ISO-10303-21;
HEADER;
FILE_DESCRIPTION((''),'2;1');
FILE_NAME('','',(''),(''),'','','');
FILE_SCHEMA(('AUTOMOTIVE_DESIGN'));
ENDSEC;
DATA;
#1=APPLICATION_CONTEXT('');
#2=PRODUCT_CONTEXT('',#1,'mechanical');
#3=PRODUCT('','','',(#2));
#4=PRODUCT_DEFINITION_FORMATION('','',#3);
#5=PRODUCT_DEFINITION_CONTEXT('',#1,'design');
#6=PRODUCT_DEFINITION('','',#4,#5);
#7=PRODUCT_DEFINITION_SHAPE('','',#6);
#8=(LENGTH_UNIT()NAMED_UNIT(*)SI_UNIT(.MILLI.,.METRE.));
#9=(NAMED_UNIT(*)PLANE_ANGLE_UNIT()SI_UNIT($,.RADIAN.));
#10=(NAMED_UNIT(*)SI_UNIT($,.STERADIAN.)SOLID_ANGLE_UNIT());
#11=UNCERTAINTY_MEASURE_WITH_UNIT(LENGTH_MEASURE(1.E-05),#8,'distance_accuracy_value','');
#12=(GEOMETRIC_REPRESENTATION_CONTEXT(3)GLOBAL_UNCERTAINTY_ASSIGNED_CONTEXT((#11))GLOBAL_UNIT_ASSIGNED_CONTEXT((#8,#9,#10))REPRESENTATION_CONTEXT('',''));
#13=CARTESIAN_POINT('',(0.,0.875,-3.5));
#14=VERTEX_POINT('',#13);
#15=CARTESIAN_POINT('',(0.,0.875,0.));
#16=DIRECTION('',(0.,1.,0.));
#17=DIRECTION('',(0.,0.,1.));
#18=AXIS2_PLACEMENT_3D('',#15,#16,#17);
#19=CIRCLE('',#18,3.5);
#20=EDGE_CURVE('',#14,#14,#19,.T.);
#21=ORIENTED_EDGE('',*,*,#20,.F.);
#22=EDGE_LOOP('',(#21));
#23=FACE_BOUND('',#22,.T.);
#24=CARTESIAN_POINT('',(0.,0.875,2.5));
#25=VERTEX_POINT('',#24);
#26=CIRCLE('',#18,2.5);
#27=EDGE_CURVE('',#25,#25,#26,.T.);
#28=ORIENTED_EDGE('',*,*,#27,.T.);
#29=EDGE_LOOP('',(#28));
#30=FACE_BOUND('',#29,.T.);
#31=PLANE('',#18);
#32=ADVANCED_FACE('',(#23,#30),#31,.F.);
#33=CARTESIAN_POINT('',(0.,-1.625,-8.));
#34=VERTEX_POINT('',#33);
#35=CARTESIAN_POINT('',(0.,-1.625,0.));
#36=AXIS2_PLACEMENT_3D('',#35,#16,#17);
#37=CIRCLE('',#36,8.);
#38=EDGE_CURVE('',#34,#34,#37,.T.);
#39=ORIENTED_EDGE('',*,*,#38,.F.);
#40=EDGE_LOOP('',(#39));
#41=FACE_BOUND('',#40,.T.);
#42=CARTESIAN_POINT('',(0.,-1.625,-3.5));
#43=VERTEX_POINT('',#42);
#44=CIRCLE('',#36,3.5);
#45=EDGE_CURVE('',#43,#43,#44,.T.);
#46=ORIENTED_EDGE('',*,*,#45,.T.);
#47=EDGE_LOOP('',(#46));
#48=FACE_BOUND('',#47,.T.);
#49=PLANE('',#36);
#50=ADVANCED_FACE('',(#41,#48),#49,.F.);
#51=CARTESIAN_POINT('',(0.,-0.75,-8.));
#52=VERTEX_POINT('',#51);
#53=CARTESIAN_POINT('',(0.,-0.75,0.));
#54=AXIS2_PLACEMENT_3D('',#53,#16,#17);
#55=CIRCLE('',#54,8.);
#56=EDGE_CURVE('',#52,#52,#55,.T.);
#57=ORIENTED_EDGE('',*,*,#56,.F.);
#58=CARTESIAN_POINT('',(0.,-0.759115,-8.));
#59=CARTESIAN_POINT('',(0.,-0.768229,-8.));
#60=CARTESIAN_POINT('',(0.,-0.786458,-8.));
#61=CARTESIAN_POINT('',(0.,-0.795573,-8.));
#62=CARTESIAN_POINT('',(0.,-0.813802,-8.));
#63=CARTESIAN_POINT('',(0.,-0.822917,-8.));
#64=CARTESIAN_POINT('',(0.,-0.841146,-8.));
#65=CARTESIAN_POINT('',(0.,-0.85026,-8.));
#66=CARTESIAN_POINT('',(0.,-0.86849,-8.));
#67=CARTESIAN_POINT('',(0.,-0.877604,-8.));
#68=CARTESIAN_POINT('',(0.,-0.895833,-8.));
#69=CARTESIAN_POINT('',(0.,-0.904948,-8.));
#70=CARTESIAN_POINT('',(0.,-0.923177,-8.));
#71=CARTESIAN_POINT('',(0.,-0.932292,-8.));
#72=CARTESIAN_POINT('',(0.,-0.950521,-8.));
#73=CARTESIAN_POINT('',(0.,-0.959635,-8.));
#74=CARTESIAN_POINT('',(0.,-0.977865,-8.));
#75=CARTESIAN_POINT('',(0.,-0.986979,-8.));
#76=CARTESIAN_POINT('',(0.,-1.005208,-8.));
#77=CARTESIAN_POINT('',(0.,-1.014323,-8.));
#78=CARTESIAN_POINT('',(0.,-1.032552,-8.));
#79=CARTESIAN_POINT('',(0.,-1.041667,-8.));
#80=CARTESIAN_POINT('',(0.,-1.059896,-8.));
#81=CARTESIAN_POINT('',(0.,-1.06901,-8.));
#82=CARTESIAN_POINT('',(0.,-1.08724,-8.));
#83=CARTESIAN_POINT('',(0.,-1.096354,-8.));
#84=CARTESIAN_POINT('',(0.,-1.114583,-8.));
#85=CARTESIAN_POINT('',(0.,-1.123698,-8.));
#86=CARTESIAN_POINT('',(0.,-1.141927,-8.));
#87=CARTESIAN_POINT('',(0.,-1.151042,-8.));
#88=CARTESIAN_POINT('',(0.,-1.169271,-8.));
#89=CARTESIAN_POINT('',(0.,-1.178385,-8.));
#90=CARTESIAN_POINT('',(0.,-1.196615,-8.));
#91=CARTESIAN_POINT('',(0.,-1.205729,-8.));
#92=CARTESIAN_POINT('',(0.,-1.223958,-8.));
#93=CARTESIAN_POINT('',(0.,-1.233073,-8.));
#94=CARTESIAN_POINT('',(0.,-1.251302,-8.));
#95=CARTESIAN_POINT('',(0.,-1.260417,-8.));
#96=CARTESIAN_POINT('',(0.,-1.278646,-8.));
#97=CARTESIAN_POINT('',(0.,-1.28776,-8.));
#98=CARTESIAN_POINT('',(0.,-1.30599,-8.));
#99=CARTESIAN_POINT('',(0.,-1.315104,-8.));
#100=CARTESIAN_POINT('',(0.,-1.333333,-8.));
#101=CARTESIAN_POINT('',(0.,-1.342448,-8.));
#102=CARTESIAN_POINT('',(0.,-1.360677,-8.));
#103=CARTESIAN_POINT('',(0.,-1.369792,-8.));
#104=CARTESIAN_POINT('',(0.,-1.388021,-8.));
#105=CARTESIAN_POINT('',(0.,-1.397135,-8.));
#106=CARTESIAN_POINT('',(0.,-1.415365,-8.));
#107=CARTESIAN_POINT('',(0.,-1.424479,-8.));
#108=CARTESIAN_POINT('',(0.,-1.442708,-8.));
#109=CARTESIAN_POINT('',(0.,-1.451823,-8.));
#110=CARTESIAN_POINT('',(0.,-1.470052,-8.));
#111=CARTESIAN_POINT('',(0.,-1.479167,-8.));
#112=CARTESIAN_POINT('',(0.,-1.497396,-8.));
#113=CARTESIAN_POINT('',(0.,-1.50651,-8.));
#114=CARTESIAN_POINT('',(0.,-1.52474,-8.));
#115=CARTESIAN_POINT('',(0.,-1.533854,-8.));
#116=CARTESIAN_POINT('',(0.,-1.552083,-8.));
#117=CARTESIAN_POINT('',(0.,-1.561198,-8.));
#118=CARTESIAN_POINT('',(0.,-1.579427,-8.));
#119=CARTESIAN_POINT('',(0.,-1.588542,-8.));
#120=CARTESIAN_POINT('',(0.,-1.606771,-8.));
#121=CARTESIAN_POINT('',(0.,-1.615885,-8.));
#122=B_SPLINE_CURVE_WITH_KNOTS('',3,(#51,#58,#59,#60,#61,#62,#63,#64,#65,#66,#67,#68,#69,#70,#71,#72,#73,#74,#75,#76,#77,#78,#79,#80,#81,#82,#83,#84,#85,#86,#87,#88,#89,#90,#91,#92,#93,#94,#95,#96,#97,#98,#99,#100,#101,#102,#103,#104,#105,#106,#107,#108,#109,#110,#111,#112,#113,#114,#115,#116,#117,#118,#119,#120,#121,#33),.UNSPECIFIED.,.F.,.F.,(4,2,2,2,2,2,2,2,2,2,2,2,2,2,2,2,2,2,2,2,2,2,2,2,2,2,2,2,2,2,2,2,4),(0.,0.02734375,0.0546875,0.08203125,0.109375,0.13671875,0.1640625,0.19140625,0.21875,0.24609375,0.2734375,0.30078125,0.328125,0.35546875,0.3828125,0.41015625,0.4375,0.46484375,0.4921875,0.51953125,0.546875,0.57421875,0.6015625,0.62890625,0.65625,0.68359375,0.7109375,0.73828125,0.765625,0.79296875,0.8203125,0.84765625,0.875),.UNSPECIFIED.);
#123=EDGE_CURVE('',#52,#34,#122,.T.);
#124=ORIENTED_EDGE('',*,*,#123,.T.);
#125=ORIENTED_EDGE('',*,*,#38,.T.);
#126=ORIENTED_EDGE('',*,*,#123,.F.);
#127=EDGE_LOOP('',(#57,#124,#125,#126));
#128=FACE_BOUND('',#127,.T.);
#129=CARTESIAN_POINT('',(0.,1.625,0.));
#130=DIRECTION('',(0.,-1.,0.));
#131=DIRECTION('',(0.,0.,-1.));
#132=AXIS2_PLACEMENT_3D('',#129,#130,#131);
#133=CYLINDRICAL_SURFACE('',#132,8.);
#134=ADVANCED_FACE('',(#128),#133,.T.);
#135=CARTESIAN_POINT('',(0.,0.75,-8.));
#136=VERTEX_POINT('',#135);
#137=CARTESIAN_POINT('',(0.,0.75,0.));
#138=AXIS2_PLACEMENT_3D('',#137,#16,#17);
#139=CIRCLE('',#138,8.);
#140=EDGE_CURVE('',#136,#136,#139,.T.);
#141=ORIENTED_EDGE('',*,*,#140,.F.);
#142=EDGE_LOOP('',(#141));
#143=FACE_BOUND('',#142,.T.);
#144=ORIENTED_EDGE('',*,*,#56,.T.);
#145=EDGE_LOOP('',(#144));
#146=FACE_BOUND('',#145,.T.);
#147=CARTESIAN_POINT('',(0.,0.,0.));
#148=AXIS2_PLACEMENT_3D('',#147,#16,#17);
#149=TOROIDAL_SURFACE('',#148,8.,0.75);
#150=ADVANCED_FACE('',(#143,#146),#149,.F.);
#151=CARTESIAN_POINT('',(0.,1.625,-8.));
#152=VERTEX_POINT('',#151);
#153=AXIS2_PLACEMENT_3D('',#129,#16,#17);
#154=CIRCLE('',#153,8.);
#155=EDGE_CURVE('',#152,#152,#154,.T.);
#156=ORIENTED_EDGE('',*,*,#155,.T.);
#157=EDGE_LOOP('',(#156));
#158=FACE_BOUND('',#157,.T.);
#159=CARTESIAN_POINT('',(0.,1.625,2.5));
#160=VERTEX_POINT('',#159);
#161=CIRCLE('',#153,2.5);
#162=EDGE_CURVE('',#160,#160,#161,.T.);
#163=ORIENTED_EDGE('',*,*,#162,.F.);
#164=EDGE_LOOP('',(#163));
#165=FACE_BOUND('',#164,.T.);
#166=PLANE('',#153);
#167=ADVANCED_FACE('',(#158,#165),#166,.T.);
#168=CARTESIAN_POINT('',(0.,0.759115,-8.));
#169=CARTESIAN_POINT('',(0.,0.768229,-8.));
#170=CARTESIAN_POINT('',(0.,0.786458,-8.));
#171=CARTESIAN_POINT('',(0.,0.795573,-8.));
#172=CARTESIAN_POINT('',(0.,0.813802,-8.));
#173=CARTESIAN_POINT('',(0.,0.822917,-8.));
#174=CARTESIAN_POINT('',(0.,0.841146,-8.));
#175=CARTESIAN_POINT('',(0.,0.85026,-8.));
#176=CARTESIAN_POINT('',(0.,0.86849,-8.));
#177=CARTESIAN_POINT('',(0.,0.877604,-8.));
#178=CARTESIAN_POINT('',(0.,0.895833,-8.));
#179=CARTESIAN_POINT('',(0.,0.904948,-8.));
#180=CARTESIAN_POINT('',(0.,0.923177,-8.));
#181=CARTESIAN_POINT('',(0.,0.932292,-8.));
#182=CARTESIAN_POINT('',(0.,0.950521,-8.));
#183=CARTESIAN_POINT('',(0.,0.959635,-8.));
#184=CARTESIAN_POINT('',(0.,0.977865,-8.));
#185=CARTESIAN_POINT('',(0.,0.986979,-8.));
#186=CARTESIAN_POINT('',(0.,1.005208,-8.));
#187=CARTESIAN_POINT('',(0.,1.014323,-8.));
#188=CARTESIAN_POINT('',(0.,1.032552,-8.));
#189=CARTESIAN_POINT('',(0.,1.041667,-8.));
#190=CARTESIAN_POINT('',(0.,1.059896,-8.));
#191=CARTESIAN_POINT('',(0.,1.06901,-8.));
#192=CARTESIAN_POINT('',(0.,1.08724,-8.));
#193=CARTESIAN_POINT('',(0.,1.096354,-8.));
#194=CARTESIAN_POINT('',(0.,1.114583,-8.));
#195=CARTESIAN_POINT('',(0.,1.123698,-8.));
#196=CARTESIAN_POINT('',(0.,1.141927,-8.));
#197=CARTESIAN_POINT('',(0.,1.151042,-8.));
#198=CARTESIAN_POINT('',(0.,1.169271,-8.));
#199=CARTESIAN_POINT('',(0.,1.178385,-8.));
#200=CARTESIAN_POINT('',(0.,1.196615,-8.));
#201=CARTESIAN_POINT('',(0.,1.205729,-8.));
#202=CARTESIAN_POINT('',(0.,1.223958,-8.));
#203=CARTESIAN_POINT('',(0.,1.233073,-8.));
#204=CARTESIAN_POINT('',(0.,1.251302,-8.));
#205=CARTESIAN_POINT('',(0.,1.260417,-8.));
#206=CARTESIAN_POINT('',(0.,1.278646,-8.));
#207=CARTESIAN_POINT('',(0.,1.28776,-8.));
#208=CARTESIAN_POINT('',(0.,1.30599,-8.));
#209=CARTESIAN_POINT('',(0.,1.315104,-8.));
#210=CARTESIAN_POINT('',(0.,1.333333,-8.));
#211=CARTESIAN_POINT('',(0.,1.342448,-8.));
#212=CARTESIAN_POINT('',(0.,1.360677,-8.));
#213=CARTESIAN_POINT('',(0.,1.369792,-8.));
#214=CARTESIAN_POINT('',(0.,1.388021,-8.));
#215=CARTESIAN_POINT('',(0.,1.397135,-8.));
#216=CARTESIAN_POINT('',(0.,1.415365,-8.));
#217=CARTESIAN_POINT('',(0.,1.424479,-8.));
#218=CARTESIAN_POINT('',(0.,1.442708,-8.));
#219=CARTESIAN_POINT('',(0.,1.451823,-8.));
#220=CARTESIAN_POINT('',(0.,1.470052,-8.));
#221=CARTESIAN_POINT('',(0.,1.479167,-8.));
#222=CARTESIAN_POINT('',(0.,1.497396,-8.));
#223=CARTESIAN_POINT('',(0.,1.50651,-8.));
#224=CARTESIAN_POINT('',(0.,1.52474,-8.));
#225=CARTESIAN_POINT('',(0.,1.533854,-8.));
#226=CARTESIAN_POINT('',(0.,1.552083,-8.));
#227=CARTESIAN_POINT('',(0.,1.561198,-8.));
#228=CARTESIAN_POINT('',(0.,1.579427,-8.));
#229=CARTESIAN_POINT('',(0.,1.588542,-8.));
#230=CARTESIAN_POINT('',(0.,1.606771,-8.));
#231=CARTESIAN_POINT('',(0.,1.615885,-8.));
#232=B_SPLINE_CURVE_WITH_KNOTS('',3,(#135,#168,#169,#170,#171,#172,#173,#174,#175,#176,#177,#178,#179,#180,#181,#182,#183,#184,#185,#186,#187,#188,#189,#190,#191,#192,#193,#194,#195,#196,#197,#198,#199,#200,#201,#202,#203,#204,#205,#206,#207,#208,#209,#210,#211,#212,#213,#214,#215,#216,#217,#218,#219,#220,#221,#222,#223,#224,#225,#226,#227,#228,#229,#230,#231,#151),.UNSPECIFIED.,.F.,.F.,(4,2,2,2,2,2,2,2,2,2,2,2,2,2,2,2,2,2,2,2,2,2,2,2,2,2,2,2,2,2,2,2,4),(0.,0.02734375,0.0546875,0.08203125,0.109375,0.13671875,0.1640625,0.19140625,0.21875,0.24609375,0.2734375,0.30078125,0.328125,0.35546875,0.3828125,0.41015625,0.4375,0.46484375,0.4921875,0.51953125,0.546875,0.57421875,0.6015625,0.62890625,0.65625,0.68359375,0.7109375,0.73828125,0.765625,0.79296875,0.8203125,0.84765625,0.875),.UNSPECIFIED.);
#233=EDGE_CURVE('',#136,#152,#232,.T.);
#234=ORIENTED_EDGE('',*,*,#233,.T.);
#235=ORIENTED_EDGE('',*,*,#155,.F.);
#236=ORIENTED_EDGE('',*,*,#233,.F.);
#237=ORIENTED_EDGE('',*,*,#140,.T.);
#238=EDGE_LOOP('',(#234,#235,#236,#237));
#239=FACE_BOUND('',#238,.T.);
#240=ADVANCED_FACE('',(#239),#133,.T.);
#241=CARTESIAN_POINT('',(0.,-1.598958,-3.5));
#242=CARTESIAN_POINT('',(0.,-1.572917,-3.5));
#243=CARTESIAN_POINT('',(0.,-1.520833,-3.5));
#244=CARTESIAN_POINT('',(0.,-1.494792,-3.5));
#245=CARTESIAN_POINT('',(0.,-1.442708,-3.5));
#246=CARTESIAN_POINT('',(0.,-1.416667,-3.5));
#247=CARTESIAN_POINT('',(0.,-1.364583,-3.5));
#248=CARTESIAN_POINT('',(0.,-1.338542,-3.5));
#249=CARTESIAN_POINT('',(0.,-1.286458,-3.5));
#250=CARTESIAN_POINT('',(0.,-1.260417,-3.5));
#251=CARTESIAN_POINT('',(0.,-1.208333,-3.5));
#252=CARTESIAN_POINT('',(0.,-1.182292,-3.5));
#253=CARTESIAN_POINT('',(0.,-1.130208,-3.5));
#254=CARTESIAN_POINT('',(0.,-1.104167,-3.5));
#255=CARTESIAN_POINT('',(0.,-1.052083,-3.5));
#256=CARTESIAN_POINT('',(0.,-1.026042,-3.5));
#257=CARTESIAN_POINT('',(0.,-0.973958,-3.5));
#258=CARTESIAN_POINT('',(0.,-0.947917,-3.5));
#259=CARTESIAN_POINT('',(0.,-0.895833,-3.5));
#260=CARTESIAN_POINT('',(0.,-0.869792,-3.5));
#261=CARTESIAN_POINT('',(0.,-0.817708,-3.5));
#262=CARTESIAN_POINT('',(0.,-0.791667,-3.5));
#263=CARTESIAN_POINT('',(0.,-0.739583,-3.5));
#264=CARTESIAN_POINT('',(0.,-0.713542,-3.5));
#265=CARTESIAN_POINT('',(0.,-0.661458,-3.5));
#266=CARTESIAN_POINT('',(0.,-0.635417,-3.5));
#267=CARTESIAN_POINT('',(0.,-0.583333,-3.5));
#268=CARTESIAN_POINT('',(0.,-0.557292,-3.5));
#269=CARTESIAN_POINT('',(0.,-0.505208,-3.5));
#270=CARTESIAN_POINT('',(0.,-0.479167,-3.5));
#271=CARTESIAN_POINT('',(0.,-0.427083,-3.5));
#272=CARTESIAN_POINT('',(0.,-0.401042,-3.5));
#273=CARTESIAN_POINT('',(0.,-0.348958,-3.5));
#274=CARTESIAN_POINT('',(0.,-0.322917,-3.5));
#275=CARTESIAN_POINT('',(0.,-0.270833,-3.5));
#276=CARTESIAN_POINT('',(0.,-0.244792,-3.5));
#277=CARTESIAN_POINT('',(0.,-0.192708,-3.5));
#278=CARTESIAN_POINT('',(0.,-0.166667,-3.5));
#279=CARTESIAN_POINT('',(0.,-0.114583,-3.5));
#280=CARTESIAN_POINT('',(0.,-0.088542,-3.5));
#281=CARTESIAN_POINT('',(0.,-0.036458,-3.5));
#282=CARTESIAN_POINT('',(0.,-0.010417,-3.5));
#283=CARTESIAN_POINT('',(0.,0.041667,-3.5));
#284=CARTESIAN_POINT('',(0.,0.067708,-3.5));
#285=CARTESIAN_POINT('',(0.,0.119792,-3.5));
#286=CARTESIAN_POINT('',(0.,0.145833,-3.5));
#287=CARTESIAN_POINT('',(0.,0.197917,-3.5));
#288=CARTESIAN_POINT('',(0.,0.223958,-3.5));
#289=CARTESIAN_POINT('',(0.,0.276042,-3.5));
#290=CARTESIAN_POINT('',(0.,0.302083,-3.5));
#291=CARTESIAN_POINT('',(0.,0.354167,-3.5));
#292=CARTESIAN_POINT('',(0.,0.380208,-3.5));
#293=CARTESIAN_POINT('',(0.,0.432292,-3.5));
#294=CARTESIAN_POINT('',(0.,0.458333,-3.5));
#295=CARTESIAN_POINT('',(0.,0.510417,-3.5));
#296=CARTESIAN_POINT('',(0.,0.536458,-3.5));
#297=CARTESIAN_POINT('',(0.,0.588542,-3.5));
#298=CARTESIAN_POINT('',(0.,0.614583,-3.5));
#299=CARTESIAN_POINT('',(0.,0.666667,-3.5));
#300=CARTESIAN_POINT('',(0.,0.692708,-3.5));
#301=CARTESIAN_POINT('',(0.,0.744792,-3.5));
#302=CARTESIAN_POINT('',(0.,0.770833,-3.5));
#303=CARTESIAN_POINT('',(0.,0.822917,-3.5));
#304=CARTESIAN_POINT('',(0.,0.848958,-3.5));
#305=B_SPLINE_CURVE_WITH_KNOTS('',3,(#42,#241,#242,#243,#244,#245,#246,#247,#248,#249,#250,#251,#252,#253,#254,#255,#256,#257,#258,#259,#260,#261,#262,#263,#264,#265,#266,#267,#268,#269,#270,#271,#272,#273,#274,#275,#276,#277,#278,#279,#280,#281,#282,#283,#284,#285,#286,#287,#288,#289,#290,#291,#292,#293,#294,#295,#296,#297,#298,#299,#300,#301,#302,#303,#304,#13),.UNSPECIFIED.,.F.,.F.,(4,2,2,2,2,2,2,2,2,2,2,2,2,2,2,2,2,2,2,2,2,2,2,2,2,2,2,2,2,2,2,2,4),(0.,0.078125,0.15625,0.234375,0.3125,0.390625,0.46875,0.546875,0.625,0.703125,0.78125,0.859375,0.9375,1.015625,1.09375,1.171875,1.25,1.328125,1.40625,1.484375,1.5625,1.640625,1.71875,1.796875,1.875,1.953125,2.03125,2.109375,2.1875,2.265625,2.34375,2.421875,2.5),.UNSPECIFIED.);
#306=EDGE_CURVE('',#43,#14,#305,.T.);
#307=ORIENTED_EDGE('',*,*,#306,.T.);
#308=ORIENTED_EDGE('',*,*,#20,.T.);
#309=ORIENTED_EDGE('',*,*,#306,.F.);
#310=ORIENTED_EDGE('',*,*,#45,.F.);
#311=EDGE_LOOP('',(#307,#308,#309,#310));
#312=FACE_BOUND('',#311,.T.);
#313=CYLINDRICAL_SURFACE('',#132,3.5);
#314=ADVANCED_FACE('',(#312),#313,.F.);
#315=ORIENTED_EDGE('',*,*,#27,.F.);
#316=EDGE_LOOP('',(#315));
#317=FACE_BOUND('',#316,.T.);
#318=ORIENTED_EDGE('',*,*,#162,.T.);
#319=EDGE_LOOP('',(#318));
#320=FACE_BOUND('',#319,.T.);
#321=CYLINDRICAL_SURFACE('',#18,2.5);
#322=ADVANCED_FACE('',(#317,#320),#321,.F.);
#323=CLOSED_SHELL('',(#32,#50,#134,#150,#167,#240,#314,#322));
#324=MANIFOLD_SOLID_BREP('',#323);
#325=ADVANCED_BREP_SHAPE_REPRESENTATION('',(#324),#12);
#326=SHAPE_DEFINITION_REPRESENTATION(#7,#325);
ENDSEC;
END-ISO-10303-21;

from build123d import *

# Parameters (mm, degrees)
SKETCH1_R           = 8
SKETCH1_R_2         = 3.5
BOSS_EXTRUDE1_DEPTH = 1.625
BOSS_EXTRUDE2_START = -0.75
SKETCH3_R           = 3.5
SKETCH3_R_2         = 2.5
BOSS_EXTRUDE2_DEPTH = 0.75


with BuildPart() as part:
    # Sketch1 → Boss-Extrude1 (new, symmetric)
    with BuildSketch(Plane(origin=(0, 0, 0), x_dir=(1, 0, 0), z_dir=(0, 1, 0))):
        with Locations(Location((0, 0, 0), (0, 0, 90))):
            Circle(SKETCH1_R)
        with Locations(Location((0, 0, 0), (0, 0, 90))):
            Circle(SKETCH1_R_2, mode=Mode.SUBTRACT)
    extrude(amount=BOSS_EXTRUDE1_DEPTH, both=True)

    # Sketch2 → Cut-Revolve1 (revolve, cut)
    with BuildSketch(Plane(origin=(0, 0, 0), x_dir=(0, 0, -1), z_dir=(1, 0, 0)), mode=Mode.PRIVATE) as cut_revolve1_sk:
        with BuildLine():
            Line((-8, 0.75), (-8, -0.75))
            ThreePointArc((-8, -0.75), (-7.25, 0), (-8, 0.75))
        make_face()
    revolve(cut_revolve1_sk.sketch.rotate(Axis((0, 1.625, 0), (0, -1, 0)), 180), axis=Axis((0, 1.625, 0), (0, -1, 0)), mode=Mode.SUBTRACT)

    # Sketch3 → Boss-Extrude2 (add)
    with BuildSketch(Plane(origin=(0, 1.625, 0), x_dir=(1, 0, 0), z_dir=(0, 1, 0)).offset(BOSS_EXTRUDE2_START)):
        with Locations(Location((0, 0, 0), (0, 0, 90))):
            Circle(SKETCH3_R)
        with Locations(Location((0, 0, 0), (0, 0, 270))):
            Circle(SKETCH3_R_2, mode=Mode.SUBTRACT)
    extrude(amount=BOSS_EXTRUDE2_DEPTH)


solid = part.part
